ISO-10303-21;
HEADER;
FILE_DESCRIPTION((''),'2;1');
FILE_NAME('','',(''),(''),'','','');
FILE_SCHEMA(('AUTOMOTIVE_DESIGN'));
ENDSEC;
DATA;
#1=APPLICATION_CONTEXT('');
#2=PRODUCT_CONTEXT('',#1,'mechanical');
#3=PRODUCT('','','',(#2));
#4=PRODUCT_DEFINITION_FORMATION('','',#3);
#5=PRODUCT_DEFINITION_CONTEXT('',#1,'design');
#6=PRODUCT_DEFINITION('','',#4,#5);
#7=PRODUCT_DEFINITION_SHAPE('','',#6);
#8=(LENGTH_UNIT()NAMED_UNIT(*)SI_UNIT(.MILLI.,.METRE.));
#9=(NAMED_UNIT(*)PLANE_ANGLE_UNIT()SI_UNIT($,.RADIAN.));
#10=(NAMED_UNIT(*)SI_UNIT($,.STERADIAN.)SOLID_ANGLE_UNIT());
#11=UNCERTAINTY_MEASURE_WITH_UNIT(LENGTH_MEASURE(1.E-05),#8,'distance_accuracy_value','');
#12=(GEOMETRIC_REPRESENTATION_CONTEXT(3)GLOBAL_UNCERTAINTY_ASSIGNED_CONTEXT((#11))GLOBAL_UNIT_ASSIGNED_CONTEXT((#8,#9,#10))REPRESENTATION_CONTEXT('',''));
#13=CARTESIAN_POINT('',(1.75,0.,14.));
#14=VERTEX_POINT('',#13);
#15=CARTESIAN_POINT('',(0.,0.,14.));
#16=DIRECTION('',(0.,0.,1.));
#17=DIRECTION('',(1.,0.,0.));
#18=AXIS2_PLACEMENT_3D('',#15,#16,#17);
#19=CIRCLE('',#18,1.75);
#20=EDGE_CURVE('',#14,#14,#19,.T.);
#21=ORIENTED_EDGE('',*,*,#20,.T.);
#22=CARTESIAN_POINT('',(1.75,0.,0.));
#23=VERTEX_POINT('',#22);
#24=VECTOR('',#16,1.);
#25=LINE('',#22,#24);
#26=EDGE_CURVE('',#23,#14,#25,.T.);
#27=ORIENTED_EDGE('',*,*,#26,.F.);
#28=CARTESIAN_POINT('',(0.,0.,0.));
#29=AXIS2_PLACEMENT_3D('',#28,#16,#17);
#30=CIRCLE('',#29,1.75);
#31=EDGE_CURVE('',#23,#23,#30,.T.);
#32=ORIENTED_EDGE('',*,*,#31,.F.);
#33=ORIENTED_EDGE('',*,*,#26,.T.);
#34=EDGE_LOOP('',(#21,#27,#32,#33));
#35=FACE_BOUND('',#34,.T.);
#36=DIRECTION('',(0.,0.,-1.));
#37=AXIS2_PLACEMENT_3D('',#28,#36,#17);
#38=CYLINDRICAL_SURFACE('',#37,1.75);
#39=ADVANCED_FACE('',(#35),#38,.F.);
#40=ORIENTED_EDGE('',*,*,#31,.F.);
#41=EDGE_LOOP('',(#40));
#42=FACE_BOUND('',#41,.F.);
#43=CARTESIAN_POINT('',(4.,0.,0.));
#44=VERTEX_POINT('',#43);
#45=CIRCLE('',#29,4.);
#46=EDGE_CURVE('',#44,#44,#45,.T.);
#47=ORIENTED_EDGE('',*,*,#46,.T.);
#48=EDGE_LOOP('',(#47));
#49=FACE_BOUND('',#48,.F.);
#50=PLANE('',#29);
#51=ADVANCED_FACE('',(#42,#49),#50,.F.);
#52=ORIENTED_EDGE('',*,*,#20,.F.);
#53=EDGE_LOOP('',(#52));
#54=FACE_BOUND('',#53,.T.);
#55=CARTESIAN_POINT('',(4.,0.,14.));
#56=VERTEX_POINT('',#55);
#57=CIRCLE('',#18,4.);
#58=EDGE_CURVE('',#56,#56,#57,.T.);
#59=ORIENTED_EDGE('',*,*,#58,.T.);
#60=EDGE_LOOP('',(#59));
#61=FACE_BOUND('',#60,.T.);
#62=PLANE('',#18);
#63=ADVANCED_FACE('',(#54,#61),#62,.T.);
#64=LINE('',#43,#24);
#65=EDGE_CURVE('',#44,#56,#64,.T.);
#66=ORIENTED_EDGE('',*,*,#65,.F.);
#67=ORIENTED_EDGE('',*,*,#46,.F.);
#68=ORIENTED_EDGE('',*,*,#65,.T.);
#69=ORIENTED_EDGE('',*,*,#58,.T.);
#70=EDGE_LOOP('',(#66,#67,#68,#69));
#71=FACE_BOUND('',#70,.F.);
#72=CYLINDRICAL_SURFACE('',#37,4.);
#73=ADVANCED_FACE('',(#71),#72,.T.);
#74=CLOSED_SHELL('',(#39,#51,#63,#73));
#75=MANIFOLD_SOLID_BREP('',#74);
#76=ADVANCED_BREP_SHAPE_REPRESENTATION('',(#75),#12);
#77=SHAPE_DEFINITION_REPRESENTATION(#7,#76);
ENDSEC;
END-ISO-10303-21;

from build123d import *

# Parameters (mm, degrees)
F0_R     = 4
F0_R_2   = 1.75
F1_DEPTH = 14


with BuildPart() as f1:
    # F0 (on Top) → F1 (new body)
    with BuildSketch(Plane.XY):
        Circle(F0_R)
        Circle(F0_R_2, mode=Mode.SUBTRACT)
    extrude(amount=F1_DEPTH)


solid = f1.part
